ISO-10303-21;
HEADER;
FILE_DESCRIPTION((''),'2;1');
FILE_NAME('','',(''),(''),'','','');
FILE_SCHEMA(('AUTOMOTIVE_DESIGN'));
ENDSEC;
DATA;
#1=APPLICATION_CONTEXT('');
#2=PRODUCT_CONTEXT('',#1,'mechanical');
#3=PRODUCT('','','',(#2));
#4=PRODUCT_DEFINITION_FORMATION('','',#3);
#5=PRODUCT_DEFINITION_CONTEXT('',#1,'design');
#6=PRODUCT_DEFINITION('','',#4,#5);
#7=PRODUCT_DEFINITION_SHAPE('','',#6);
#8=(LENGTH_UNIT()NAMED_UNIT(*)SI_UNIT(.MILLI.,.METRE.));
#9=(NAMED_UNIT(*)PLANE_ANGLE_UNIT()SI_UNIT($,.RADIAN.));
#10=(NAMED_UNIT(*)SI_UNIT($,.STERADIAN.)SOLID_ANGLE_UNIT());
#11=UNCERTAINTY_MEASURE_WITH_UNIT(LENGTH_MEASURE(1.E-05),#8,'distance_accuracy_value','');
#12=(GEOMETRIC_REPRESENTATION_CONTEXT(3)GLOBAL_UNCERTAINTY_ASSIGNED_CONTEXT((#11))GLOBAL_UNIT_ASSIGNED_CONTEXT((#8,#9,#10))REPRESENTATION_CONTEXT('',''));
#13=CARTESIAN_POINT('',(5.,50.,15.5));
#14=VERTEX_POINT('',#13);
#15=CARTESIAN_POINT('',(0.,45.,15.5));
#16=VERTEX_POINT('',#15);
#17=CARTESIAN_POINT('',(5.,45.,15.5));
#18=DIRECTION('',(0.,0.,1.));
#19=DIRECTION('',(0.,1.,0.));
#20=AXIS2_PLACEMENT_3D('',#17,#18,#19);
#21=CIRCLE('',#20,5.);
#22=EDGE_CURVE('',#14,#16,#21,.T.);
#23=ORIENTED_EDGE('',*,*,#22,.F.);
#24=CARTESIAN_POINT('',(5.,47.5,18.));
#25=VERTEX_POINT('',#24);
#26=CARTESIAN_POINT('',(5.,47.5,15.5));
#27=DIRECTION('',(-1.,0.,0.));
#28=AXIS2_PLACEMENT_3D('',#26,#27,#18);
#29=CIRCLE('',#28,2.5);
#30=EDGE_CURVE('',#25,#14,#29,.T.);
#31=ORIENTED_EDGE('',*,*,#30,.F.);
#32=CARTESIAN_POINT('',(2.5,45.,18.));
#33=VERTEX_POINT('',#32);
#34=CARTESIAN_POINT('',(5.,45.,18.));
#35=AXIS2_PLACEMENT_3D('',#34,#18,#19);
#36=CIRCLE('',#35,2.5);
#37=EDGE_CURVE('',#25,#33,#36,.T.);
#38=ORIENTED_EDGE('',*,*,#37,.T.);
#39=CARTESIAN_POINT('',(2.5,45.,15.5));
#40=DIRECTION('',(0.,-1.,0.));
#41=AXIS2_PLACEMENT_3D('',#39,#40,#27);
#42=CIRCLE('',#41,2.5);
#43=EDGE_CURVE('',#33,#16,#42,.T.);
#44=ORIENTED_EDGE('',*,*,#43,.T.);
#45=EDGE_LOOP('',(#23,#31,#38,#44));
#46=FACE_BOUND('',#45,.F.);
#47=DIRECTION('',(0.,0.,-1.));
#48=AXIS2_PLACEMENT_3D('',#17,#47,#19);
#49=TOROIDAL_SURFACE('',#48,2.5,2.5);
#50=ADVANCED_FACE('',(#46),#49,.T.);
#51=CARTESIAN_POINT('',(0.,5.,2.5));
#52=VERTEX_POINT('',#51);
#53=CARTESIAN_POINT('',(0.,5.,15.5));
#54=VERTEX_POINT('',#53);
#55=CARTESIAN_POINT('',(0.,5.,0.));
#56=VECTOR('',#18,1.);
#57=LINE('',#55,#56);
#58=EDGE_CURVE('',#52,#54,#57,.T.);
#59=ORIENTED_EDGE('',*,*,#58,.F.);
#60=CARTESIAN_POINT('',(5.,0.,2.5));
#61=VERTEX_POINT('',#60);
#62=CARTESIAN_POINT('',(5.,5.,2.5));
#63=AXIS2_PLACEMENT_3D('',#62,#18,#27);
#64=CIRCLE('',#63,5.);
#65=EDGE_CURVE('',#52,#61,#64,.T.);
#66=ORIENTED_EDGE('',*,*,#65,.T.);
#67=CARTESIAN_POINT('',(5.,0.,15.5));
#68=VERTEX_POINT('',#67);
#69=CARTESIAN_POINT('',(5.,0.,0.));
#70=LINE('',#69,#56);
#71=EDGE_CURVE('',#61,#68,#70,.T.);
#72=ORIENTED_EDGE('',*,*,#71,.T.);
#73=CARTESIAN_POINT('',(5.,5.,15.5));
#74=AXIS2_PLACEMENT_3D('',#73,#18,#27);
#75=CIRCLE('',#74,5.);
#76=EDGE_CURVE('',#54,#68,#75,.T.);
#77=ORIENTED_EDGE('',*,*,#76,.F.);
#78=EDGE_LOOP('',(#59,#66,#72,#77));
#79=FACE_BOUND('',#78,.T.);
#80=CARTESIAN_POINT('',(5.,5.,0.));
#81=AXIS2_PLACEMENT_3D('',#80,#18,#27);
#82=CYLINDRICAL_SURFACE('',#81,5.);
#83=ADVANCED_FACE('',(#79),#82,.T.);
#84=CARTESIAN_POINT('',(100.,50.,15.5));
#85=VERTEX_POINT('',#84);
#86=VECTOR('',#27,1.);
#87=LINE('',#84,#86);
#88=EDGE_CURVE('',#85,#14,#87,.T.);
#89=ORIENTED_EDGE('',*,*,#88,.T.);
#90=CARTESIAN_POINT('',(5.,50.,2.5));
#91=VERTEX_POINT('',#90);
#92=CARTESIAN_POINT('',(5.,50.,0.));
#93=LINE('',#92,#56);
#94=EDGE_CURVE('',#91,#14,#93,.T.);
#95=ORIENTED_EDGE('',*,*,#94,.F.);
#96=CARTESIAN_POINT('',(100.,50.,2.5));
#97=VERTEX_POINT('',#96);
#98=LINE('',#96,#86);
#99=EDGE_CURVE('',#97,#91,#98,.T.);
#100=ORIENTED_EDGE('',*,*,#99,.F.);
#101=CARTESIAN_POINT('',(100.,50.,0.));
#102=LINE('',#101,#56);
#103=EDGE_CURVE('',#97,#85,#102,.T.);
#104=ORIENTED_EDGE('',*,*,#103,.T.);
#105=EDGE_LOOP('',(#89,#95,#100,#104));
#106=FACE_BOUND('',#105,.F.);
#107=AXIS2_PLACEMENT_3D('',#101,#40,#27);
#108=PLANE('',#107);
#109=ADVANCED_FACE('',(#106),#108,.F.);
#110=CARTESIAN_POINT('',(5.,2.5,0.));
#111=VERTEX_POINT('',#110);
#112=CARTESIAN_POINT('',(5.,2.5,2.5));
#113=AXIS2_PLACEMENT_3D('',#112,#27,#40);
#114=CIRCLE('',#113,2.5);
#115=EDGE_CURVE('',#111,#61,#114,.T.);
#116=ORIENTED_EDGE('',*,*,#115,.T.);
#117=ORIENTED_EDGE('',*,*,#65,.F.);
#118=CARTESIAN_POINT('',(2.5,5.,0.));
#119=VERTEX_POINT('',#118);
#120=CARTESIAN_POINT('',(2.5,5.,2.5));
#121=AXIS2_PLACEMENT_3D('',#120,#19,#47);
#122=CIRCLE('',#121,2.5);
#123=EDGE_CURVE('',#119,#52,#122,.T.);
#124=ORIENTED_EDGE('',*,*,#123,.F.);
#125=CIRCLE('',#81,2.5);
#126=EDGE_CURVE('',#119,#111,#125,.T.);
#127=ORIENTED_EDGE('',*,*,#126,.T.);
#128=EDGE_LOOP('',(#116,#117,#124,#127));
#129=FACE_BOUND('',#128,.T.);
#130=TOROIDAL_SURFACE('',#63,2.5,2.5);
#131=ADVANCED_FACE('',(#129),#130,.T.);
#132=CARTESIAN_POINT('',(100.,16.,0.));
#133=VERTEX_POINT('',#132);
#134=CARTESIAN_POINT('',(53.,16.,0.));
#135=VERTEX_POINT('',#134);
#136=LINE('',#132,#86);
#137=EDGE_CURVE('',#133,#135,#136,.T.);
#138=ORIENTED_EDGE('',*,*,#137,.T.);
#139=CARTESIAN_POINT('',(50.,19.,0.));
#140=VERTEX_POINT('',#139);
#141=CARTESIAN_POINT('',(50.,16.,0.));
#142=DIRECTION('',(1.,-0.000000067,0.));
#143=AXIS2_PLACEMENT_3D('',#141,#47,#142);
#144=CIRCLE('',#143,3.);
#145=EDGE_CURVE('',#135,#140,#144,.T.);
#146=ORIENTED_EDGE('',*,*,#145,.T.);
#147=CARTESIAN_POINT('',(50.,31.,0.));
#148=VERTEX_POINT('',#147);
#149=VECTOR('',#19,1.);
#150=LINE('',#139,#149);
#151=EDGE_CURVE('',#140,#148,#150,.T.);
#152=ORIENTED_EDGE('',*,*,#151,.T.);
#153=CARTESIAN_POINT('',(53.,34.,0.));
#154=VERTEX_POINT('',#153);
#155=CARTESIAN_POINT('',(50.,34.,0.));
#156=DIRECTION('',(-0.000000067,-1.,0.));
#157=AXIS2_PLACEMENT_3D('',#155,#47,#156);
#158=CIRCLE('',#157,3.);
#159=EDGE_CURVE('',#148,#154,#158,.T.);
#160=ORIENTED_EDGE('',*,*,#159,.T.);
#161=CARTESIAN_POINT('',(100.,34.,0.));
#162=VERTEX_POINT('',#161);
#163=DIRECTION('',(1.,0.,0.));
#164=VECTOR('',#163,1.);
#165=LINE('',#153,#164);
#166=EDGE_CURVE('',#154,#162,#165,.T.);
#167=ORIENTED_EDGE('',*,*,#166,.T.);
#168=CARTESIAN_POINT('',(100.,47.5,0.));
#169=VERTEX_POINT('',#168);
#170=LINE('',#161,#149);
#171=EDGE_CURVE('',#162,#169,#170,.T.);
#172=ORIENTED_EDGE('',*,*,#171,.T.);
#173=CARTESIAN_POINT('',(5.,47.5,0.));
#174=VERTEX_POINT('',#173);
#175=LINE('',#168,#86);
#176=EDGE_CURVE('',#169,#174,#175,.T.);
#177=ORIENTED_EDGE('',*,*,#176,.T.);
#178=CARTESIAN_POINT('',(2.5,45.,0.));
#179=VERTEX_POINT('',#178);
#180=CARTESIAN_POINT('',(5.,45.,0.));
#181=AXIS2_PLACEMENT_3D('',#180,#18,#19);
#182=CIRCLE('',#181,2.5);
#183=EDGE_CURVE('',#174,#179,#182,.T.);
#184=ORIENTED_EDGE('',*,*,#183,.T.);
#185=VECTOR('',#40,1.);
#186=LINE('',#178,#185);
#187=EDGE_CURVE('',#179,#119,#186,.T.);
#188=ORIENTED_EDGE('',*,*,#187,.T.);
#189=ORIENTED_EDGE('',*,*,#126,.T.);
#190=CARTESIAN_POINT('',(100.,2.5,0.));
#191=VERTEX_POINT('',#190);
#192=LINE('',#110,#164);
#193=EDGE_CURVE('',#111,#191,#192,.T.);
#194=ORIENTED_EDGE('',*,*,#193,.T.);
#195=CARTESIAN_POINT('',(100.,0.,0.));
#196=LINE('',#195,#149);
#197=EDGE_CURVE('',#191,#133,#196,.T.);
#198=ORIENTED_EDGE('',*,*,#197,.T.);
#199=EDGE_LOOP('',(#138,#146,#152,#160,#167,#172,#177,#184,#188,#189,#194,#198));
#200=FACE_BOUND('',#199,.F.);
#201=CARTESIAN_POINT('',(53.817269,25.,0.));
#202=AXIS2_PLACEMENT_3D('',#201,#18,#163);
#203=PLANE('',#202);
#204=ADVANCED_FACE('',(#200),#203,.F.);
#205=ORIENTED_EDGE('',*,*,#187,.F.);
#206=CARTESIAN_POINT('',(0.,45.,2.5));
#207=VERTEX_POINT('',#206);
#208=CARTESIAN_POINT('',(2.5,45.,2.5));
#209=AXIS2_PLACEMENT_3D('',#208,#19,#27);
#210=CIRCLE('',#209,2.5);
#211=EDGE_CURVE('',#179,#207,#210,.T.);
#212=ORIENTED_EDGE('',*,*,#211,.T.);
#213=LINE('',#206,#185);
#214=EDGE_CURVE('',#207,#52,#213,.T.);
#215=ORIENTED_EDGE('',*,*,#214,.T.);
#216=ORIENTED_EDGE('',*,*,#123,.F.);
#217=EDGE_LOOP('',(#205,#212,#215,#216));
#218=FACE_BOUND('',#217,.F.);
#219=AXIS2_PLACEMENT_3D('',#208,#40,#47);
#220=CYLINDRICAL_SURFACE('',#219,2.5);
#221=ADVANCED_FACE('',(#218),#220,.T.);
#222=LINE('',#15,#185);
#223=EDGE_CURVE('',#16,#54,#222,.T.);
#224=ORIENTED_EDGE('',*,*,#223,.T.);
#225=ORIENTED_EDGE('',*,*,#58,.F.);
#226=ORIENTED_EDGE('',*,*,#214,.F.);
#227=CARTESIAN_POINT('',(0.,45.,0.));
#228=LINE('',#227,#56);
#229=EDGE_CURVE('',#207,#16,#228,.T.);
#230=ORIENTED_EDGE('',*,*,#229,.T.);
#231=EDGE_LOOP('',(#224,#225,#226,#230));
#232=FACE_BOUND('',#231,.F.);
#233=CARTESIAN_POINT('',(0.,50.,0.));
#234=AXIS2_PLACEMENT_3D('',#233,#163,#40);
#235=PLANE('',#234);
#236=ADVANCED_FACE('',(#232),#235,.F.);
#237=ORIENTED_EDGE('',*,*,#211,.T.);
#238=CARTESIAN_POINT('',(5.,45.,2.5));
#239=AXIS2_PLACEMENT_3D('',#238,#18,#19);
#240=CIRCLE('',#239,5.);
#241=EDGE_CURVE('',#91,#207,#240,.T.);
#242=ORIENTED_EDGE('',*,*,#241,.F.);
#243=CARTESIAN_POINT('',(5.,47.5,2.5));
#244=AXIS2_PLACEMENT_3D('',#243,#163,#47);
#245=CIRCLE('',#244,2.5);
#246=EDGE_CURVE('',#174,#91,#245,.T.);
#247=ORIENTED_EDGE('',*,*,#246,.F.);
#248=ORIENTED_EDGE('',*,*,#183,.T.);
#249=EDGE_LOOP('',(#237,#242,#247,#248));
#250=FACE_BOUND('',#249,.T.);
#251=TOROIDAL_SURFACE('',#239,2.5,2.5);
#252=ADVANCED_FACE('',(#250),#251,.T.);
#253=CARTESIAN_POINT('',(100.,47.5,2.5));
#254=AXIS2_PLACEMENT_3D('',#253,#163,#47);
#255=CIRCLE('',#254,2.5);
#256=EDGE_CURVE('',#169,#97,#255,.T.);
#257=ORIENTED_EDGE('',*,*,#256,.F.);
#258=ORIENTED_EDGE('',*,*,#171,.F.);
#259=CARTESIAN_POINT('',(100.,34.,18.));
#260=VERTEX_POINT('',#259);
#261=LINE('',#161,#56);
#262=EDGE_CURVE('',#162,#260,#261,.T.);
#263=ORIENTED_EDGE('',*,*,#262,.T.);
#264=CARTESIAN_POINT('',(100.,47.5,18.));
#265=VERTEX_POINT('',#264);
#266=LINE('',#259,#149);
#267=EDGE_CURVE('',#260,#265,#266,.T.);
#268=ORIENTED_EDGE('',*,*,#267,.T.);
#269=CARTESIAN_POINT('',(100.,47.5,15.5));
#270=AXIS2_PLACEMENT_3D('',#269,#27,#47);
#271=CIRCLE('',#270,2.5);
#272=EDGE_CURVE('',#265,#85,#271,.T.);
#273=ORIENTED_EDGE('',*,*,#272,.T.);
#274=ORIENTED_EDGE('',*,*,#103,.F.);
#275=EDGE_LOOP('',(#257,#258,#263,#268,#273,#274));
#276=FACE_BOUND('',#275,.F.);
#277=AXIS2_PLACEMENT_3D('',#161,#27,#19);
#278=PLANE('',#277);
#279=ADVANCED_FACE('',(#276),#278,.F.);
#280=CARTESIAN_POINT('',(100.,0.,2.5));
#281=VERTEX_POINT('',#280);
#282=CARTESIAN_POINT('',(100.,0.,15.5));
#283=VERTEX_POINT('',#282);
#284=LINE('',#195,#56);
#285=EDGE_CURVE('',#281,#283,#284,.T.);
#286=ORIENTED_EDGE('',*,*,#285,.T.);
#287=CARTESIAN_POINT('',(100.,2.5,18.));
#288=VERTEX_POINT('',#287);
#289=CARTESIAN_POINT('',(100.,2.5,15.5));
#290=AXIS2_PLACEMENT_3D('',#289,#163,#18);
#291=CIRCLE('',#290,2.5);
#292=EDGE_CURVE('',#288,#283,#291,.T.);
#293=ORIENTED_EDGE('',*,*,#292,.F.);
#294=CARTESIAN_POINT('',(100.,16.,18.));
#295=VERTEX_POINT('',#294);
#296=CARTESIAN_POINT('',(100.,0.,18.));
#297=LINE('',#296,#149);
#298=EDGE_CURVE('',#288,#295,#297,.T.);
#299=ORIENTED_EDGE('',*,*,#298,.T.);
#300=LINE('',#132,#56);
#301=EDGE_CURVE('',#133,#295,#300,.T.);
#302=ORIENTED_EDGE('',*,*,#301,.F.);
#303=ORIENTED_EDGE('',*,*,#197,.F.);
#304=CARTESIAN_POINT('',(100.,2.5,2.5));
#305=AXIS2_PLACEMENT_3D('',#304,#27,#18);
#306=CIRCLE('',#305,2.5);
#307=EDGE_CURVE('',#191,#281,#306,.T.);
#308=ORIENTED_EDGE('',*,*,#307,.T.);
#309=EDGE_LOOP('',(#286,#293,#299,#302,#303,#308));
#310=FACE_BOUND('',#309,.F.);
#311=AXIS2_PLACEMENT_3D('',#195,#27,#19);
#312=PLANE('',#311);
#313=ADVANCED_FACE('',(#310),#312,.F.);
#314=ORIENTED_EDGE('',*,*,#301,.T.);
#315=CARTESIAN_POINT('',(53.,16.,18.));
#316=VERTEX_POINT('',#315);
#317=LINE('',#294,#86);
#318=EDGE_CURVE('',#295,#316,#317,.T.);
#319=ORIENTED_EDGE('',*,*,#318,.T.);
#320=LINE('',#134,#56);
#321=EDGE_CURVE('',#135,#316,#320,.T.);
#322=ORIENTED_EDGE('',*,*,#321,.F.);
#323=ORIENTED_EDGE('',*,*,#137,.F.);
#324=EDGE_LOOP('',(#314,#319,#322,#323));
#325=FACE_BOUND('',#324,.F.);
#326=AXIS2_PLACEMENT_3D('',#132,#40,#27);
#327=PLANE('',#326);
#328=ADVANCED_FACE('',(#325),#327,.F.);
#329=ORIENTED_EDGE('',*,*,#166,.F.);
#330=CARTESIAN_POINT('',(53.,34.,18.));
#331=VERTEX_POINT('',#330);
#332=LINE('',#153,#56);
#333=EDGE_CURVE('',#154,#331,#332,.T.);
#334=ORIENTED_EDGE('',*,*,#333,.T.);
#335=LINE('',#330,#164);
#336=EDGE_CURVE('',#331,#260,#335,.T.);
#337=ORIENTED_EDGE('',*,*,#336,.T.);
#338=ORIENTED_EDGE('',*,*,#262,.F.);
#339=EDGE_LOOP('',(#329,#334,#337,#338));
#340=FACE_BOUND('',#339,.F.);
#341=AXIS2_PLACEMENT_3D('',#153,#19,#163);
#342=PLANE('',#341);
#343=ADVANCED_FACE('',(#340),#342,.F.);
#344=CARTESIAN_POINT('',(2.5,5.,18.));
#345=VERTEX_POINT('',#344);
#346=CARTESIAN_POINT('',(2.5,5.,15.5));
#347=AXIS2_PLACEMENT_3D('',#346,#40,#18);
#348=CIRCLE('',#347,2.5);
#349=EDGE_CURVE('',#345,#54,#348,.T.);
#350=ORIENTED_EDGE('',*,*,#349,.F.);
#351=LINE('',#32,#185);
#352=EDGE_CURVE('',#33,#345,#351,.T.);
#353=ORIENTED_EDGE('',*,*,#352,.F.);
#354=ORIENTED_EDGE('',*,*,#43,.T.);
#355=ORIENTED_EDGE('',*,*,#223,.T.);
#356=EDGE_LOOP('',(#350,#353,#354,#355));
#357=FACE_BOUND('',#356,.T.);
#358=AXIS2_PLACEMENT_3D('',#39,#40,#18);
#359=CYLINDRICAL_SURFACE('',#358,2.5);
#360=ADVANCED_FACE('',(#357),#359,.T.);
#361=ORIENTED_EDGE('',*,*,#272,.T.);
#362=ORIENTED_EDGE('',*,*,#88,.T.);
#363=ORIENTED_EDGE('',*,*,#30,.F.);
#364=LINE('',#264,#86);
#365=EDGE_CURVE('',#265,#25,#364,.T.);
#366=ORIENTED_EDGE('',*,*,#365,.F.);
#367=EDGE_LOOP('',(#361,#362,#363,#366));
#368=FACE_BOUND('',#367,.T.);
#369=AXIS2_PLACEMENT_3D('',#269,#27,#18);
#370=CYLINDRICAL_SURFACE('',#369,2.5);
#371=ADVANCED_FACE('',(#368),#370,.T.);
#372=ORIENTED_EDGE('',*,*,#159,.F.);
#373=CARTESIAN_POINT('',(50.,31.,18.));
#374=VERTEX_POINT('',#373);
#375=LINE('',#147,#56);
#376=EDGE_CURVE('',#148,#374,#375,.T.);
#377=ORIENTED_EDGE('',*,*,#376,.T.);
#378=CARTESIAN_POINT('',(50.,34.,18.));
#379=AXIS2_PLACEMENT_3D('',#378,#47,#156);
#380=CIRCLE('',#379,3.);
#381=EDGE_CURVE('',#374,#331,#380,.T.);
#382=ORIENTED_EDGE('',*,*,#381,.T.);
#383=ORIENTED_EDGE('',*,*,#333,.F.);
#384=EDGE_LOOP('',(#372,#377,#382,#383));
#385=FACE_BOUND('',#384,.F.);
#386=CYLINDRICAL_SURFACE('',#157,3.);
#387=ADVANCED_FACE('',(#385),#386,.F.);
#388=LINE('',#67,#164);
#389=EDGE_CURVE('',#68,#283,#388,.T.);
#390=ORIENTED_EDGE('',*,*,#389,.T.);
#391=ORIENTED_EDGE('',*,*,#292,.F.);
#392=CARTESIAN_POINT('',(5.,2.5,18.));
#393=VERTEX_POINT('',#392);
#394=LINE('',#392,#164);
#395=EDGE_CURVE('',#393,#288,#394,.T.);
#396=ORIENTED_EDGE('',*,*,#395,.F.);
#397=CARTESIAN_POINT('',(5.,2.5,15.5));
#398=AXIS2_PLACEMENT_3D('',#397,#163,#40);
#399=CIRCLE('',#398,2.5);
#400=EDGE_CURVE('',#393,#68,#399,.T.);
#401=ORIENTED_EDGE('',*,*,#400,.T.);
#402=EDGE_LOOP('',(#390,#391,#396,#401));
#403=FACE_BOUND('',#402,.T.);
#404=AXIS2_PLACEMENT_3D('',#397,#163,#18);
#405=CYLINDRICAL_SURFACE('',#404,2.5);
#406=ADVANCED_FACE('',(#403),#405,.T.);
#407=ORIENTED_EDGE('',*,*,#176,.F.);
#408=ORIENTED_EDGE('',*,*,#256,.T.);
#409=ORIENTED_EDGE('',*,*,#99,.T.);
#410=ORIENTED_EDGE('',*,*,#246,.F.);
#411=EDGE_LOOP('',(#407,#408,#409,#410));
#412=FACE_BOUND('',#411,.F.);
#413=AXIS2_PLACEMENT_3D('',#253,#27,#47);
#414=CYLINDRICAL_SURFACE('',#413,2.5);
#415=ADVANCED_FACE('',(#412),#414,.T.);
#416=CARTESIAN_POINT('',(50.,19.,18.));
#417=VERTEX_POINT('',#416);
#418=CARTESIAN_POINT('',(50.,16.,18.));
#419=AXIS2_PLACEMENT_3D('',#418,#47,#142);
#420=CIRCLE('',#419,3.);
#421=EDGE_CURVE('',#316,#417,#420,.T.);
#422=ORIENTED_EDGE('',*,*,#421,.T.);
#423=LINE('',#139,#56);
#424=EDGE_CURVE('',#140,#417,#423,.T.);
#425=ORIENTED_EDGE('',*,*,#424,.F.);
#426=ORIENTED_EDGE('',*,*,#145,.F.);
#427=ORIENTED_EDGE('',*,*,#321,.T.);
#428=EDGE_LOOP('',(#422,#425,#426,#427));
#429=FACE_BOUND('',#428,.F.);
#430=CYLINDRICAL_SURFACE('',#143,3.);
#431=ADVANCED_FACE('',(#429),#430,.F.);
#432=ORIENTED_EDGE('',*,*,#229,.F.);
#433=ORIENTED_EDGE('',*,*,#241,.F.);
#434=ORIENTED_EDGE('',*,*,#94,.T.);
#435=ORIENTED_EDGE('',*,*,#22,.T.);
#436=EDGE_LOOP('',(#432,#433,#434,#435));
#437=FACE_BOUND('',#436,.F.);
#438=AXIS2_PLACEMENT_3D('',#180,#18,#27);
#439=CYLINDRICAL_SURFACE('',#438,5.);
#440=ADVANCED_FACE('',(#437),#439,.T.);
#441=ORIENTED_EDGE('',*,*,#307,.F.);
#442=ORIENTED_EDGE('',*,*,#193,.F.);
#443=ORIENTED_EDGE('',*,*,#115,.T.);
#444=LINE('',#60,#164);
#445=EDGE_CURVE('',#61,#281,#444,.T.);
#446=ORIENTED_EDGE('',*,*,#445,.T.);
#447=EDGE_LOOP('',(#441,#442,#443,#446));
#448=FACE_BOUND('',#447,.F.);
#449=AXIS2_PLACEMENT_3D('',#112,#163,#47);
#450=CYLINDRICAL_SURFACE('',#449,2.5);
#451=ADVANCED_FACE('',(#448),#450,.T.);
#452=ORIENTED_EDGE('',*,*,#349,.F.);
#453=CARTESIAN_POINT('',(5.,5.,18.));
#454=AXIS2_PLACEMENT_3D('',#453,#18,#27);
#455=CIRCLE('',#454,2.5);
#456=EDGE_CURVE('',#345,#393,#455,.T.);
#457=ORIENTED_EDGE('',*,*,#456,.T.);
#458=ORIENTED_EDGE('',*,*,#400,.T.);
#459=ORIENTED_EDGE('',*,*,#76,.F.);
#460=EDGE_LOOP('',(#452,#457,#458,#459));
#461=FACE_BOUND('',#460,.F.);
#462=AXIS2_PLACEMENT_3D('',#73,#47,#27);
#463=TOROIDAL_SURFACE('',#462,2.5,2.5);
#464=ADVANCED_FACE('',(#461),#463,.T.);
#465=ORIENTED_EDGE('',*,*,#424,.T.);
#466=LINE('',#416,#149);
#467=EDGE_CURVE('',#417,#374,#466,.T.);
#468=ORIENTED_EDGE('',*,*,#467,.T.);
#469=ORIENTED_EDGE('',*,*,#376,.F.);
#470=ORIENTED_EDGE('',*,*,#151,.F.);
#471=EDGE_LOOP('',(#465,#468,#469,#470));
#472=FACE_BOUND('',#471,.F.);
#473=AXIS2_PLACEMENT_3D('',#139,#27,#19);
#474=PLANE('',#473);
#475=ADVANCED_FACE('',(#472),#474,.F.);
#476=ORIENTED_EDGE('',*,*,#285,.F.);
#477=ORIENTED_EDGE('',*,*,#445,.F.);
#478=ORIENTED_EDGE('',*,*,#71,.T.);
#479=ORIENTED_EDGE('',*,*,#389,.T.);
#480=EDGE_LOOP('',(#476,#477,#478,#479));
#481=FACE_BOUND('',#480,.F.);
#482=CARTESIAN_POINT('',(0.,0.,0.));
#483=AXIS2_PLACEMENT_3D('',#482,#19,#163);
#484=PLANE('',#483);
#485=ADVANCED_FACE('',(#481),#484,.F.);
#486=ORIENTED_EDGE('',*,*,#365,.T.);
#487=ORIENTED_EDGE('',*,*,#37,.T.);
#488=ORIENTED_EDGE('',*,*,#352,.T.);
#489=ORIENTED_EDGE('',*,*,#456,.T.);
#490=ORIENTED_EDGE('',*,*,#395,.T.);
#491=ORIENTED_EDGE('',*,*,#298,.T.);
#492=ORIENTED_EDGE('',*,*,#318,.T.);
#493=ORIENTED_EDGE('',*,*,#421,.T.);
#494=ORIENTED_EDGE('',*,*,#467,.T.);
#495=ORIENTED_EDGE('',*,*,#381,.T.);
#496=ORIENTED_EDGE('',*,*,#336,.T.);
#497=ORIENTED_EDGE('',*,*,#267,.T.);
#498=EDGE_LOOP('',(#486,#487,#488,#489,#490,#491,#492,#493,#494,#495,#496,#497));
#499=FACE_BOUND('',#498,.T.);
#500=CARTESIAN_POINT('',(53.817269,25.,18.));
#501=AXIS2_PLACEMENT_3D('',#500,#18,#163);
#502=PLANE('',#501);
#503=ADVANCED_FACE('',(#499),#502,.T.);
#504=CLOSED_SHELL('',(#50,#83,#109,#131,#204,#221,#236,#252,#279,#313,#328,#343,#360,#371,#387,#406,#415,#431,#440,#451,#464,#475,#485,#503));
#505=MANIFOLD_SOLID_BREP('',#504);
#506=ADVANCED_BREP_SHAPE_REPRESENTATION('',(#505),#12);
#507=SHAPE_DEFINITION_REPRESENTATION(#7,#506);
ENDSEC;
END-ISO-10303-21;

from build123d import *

# Parameters (mm, degrees)
F1_DEPTH = 18
F2_R     = 5
F3_R     = 2.5


with BuildPart() as f1:
    # F0 (on Top) → F1 (new body)
    with BuildSketch(Plane.XY):
        with BuildLine():
            Line((0, 50), (0, 0))
            Line((0, 0), (100, 0))
            Line((100, 0), (100, 16))
            Line((100, 16), (53, 16))
            ThreePointArc((53, 16), (47.87868, 13.87868), (50, 19))
            Line((50, 19), (50, 31))
            ThreePointArc((50, 31), (47.87868, 36.12132), (53, 34))
            Line((53, 34), (100, 34))
            Line((100, 34), (100, 50))
            Line((100, 50), (0, 50))
        make_face()
    extrude(amount=F1_DEPTH)

    # F2
    f2_edges = [f1.edges().sort_by_distance(p)[0] for p in [
        (0, 0, 9),
        (0, 50, 9),
    ]]
    fillet(f2_edges, radius=F2_R)

    # F3
    f3_edges = [f1.edges().sort_by_distance(p)[0] for p in [
        (52.5, 0, 18),
        (52.5, 0, 0),
    ]]
    fillet(f3_edges, radius=F3_R)


solid = f1.part
